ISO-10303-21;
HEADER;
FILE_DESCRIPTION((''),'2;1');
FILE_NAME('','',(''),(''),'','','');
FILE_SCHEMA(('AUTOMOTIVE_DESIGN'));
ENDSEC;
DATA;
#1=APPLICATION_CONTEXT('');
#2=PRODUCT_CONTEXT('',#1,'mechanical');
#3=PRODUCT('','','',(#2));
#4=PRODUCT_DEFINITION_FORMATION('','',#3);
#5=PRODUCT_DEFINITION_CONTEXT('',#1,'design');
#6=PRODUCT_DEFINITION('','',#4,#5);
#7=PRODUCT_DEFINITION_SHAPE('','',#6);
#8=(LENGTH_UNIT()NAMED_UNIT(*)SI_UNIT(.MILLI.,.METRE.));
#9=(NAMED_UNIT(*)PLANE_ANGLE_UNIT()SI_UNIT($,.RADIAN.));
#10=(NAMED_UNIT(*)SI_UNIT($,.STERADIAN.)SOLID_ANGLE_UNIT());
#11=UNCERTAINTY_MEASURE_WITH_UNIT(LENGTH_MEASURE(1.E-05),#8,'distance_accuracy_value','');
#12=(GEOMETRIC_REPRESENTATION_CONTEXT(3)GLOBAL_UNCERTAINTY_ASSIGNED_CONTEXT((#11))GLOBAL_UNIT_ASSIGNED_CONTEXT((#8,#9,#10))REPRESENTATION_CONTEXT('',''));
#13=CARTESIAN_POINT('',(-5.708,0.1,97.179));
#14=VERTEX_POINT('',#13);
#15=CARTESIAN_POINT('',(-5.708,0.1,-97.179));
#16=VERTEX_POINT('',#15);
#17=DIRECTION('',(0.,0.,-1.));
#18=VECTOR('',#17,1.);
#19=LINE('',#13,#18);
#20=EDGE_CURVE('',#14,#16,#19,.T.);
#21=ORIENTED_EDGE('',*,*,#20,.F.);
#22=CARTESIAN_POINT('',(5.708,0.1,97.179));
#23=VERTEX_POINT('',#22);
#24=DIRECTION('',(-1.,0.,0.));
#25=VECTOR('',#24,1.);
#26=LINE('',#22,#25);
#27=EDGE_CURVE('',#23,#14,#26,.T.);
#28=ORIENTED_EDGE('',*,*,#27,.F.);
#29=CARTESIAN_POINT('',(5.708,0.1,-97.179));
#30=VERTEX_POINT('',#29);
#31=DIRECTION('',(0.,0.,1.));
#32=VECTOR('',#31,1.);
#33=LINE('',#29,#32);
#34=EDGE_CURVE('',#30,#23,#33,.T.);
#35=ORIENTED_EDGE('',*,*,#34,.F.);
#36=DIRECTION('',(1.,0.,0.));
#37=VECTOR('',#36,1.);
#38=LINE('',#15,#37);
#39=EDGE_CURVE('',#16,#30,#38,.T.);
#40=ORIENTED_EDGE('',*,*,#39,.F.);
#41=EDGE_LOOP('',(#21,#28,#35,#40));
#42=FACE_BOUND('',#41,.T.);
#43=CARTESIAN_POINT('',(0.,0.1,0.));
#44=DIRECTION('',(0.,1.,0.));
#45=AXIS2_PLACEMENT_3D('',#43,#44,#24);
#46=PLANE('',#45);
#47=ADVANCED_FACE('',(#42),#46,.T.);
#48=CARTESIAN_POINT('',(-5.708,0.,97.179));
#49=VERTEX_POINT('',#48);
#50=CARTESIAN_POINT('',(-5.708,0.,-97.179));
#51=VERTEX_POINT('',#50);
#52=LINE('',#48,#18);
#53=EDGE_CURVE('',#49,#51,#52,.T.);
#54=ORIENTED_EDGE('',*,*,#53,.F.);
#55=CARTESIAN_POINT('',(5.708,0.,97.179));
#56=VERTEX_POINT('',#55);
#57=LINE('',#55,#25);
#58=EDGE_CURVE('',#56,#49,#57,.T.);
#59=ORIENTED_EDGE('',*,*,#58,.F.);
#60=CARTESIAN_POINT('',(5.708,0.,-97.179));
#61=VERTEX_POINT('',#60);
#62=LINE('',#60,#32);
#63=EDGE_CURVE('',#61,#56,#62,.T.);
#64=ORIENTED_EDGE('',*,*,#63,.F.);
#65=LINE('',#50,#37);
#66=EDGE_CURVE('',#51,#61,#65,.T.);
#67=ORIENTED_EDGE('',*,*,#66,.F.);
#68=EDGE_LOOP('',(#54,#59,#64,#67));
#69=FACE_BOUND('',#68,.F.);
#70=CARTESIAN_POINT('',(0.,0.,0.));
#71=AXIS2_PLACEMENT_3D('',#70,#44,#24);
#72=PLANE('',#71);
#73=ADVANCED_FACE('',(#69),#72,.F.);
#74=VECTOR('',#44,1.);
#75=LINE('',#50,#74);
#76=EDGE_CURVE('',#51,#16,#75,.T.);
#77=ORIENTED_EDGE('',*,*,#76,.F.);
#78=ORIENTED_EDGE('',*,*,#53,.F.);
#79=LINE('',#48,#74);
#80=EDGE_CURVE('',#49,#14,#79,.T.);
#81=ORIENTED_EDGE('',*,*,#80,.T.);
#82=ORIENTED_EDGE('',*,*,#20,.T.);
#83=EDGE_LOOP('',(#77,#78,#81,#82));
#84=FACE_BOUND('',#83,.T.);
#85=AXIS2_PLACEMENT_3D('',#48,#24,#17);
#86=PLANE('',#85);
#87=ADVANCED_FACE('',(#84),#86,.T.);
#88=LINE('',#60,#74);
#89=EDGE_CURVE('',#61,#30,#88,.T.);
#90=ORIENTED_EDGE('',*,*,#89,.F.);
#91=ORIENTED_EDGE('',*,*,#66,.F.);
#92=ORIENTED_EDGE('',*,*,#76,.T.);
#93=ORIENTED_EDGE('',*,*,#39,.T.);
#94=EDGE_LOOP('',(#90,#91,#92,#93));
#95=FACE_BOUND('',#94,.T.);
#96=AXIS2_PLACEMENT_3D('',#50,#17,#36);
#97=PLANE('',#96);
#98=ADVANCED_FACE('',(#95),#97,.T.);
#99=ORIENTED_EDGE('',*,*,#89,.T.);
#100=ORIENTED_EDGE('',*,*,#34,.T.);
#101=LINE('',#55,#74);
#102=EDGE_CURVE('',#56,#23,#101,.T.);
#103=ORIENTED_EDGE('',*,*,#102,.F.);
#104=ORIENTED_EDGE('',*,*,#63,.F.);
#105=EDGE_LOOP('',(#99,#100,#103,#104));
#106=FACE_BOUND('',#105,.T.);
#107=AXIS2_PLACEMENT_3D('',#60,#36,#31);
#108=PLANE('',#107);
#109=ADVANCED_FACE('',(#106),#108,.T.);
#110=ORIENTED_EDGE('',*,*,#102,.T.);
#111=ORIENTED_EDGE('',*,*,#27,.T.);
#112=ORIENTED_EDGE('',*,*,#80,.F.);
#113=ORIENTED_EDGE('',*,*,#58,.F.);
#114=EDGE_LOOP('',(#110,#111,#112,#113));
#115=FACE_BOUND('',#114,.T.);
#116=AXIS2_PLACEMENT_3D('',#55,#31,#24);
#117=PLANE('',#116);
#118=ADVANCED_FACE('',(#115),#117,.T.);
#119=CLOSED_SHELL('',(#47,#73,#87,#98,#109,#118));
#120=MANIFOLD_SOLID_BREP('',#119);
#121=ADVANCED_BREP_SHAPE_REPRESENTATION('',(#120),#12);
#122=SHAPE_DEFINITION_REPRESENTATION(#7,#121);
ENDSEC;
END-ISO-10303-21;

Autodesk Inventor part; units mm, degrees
ref_plane "YZ Plane" through (0, 0, 0) normal (1, 0, 0) x (0, 1, 0)
ref_plane "XZ Plane" through (0, 0, 0) normal (0, 1, 0) x (-1, 0, 0)
ref_plane "XY Plane" through (0, 0, 0) normal (0, 0, 1) x (1, 0, 0)
sketch "Sketch1" plane through (0, 0, 0) normal (0, 1, 0) x (-1, 0, 0)
  line L0 (-5.708, 97.179) -> (5.708, 97.179)
  line L1 (5.708, 97.179) -> (5.708, -97.179)
  line L2 (5.708, -97.179) -> (-5.708, -97.179)
  line L3 (-5.708, -97.179) -> (-5.708, 97.179)
  line L4 (-5.708, 97.179) -> (5.708, -97.179) construction
  line L5 (5.708, 97.179) -> (-5.708, -97.179) construction
  point P0 (0, 0)
  dimension "d0" = 11.416
  dimension "d1" = 194.358
extrude "Extrusion1" add sketch "Sketch1" along normal blind 0.1
equation "\"d0\" = 2 * rubberizedCoating + ScintillatorThickness + 2 * silveringThickness"
equation "\"d1\" = rubberizedCoating + ScintillatorHeight + silveringThickness - mppcMountDepth"
equation "\"ScintillatorHeight\" = 200"
equation "\"silveringThickness\" = 0.2"
equation "\"OpticalFiberClearence\" = 0.071"
equation "\"ScintillatorEdgeClearence\" = 3"
equation "\"ShallowTrackDepth\" = 1.142"
equation "\"DeepTrackDepth\" = 5.571"
equation "\"FiberEdgeOffsett\" = 5"
equation "\"LoopLargeTrackRatio\" = 1.1"
equation "\"FiberSensorClerence\" = 0.5"
equation "\"MountingScrewOffsett\" = 9"
equation "\"mppcMountDepth\" = 6.35"
equation "\"ScintillatorThickness\" = 10"
properties part number "coluredSpacer" material "ABS Plastic"
